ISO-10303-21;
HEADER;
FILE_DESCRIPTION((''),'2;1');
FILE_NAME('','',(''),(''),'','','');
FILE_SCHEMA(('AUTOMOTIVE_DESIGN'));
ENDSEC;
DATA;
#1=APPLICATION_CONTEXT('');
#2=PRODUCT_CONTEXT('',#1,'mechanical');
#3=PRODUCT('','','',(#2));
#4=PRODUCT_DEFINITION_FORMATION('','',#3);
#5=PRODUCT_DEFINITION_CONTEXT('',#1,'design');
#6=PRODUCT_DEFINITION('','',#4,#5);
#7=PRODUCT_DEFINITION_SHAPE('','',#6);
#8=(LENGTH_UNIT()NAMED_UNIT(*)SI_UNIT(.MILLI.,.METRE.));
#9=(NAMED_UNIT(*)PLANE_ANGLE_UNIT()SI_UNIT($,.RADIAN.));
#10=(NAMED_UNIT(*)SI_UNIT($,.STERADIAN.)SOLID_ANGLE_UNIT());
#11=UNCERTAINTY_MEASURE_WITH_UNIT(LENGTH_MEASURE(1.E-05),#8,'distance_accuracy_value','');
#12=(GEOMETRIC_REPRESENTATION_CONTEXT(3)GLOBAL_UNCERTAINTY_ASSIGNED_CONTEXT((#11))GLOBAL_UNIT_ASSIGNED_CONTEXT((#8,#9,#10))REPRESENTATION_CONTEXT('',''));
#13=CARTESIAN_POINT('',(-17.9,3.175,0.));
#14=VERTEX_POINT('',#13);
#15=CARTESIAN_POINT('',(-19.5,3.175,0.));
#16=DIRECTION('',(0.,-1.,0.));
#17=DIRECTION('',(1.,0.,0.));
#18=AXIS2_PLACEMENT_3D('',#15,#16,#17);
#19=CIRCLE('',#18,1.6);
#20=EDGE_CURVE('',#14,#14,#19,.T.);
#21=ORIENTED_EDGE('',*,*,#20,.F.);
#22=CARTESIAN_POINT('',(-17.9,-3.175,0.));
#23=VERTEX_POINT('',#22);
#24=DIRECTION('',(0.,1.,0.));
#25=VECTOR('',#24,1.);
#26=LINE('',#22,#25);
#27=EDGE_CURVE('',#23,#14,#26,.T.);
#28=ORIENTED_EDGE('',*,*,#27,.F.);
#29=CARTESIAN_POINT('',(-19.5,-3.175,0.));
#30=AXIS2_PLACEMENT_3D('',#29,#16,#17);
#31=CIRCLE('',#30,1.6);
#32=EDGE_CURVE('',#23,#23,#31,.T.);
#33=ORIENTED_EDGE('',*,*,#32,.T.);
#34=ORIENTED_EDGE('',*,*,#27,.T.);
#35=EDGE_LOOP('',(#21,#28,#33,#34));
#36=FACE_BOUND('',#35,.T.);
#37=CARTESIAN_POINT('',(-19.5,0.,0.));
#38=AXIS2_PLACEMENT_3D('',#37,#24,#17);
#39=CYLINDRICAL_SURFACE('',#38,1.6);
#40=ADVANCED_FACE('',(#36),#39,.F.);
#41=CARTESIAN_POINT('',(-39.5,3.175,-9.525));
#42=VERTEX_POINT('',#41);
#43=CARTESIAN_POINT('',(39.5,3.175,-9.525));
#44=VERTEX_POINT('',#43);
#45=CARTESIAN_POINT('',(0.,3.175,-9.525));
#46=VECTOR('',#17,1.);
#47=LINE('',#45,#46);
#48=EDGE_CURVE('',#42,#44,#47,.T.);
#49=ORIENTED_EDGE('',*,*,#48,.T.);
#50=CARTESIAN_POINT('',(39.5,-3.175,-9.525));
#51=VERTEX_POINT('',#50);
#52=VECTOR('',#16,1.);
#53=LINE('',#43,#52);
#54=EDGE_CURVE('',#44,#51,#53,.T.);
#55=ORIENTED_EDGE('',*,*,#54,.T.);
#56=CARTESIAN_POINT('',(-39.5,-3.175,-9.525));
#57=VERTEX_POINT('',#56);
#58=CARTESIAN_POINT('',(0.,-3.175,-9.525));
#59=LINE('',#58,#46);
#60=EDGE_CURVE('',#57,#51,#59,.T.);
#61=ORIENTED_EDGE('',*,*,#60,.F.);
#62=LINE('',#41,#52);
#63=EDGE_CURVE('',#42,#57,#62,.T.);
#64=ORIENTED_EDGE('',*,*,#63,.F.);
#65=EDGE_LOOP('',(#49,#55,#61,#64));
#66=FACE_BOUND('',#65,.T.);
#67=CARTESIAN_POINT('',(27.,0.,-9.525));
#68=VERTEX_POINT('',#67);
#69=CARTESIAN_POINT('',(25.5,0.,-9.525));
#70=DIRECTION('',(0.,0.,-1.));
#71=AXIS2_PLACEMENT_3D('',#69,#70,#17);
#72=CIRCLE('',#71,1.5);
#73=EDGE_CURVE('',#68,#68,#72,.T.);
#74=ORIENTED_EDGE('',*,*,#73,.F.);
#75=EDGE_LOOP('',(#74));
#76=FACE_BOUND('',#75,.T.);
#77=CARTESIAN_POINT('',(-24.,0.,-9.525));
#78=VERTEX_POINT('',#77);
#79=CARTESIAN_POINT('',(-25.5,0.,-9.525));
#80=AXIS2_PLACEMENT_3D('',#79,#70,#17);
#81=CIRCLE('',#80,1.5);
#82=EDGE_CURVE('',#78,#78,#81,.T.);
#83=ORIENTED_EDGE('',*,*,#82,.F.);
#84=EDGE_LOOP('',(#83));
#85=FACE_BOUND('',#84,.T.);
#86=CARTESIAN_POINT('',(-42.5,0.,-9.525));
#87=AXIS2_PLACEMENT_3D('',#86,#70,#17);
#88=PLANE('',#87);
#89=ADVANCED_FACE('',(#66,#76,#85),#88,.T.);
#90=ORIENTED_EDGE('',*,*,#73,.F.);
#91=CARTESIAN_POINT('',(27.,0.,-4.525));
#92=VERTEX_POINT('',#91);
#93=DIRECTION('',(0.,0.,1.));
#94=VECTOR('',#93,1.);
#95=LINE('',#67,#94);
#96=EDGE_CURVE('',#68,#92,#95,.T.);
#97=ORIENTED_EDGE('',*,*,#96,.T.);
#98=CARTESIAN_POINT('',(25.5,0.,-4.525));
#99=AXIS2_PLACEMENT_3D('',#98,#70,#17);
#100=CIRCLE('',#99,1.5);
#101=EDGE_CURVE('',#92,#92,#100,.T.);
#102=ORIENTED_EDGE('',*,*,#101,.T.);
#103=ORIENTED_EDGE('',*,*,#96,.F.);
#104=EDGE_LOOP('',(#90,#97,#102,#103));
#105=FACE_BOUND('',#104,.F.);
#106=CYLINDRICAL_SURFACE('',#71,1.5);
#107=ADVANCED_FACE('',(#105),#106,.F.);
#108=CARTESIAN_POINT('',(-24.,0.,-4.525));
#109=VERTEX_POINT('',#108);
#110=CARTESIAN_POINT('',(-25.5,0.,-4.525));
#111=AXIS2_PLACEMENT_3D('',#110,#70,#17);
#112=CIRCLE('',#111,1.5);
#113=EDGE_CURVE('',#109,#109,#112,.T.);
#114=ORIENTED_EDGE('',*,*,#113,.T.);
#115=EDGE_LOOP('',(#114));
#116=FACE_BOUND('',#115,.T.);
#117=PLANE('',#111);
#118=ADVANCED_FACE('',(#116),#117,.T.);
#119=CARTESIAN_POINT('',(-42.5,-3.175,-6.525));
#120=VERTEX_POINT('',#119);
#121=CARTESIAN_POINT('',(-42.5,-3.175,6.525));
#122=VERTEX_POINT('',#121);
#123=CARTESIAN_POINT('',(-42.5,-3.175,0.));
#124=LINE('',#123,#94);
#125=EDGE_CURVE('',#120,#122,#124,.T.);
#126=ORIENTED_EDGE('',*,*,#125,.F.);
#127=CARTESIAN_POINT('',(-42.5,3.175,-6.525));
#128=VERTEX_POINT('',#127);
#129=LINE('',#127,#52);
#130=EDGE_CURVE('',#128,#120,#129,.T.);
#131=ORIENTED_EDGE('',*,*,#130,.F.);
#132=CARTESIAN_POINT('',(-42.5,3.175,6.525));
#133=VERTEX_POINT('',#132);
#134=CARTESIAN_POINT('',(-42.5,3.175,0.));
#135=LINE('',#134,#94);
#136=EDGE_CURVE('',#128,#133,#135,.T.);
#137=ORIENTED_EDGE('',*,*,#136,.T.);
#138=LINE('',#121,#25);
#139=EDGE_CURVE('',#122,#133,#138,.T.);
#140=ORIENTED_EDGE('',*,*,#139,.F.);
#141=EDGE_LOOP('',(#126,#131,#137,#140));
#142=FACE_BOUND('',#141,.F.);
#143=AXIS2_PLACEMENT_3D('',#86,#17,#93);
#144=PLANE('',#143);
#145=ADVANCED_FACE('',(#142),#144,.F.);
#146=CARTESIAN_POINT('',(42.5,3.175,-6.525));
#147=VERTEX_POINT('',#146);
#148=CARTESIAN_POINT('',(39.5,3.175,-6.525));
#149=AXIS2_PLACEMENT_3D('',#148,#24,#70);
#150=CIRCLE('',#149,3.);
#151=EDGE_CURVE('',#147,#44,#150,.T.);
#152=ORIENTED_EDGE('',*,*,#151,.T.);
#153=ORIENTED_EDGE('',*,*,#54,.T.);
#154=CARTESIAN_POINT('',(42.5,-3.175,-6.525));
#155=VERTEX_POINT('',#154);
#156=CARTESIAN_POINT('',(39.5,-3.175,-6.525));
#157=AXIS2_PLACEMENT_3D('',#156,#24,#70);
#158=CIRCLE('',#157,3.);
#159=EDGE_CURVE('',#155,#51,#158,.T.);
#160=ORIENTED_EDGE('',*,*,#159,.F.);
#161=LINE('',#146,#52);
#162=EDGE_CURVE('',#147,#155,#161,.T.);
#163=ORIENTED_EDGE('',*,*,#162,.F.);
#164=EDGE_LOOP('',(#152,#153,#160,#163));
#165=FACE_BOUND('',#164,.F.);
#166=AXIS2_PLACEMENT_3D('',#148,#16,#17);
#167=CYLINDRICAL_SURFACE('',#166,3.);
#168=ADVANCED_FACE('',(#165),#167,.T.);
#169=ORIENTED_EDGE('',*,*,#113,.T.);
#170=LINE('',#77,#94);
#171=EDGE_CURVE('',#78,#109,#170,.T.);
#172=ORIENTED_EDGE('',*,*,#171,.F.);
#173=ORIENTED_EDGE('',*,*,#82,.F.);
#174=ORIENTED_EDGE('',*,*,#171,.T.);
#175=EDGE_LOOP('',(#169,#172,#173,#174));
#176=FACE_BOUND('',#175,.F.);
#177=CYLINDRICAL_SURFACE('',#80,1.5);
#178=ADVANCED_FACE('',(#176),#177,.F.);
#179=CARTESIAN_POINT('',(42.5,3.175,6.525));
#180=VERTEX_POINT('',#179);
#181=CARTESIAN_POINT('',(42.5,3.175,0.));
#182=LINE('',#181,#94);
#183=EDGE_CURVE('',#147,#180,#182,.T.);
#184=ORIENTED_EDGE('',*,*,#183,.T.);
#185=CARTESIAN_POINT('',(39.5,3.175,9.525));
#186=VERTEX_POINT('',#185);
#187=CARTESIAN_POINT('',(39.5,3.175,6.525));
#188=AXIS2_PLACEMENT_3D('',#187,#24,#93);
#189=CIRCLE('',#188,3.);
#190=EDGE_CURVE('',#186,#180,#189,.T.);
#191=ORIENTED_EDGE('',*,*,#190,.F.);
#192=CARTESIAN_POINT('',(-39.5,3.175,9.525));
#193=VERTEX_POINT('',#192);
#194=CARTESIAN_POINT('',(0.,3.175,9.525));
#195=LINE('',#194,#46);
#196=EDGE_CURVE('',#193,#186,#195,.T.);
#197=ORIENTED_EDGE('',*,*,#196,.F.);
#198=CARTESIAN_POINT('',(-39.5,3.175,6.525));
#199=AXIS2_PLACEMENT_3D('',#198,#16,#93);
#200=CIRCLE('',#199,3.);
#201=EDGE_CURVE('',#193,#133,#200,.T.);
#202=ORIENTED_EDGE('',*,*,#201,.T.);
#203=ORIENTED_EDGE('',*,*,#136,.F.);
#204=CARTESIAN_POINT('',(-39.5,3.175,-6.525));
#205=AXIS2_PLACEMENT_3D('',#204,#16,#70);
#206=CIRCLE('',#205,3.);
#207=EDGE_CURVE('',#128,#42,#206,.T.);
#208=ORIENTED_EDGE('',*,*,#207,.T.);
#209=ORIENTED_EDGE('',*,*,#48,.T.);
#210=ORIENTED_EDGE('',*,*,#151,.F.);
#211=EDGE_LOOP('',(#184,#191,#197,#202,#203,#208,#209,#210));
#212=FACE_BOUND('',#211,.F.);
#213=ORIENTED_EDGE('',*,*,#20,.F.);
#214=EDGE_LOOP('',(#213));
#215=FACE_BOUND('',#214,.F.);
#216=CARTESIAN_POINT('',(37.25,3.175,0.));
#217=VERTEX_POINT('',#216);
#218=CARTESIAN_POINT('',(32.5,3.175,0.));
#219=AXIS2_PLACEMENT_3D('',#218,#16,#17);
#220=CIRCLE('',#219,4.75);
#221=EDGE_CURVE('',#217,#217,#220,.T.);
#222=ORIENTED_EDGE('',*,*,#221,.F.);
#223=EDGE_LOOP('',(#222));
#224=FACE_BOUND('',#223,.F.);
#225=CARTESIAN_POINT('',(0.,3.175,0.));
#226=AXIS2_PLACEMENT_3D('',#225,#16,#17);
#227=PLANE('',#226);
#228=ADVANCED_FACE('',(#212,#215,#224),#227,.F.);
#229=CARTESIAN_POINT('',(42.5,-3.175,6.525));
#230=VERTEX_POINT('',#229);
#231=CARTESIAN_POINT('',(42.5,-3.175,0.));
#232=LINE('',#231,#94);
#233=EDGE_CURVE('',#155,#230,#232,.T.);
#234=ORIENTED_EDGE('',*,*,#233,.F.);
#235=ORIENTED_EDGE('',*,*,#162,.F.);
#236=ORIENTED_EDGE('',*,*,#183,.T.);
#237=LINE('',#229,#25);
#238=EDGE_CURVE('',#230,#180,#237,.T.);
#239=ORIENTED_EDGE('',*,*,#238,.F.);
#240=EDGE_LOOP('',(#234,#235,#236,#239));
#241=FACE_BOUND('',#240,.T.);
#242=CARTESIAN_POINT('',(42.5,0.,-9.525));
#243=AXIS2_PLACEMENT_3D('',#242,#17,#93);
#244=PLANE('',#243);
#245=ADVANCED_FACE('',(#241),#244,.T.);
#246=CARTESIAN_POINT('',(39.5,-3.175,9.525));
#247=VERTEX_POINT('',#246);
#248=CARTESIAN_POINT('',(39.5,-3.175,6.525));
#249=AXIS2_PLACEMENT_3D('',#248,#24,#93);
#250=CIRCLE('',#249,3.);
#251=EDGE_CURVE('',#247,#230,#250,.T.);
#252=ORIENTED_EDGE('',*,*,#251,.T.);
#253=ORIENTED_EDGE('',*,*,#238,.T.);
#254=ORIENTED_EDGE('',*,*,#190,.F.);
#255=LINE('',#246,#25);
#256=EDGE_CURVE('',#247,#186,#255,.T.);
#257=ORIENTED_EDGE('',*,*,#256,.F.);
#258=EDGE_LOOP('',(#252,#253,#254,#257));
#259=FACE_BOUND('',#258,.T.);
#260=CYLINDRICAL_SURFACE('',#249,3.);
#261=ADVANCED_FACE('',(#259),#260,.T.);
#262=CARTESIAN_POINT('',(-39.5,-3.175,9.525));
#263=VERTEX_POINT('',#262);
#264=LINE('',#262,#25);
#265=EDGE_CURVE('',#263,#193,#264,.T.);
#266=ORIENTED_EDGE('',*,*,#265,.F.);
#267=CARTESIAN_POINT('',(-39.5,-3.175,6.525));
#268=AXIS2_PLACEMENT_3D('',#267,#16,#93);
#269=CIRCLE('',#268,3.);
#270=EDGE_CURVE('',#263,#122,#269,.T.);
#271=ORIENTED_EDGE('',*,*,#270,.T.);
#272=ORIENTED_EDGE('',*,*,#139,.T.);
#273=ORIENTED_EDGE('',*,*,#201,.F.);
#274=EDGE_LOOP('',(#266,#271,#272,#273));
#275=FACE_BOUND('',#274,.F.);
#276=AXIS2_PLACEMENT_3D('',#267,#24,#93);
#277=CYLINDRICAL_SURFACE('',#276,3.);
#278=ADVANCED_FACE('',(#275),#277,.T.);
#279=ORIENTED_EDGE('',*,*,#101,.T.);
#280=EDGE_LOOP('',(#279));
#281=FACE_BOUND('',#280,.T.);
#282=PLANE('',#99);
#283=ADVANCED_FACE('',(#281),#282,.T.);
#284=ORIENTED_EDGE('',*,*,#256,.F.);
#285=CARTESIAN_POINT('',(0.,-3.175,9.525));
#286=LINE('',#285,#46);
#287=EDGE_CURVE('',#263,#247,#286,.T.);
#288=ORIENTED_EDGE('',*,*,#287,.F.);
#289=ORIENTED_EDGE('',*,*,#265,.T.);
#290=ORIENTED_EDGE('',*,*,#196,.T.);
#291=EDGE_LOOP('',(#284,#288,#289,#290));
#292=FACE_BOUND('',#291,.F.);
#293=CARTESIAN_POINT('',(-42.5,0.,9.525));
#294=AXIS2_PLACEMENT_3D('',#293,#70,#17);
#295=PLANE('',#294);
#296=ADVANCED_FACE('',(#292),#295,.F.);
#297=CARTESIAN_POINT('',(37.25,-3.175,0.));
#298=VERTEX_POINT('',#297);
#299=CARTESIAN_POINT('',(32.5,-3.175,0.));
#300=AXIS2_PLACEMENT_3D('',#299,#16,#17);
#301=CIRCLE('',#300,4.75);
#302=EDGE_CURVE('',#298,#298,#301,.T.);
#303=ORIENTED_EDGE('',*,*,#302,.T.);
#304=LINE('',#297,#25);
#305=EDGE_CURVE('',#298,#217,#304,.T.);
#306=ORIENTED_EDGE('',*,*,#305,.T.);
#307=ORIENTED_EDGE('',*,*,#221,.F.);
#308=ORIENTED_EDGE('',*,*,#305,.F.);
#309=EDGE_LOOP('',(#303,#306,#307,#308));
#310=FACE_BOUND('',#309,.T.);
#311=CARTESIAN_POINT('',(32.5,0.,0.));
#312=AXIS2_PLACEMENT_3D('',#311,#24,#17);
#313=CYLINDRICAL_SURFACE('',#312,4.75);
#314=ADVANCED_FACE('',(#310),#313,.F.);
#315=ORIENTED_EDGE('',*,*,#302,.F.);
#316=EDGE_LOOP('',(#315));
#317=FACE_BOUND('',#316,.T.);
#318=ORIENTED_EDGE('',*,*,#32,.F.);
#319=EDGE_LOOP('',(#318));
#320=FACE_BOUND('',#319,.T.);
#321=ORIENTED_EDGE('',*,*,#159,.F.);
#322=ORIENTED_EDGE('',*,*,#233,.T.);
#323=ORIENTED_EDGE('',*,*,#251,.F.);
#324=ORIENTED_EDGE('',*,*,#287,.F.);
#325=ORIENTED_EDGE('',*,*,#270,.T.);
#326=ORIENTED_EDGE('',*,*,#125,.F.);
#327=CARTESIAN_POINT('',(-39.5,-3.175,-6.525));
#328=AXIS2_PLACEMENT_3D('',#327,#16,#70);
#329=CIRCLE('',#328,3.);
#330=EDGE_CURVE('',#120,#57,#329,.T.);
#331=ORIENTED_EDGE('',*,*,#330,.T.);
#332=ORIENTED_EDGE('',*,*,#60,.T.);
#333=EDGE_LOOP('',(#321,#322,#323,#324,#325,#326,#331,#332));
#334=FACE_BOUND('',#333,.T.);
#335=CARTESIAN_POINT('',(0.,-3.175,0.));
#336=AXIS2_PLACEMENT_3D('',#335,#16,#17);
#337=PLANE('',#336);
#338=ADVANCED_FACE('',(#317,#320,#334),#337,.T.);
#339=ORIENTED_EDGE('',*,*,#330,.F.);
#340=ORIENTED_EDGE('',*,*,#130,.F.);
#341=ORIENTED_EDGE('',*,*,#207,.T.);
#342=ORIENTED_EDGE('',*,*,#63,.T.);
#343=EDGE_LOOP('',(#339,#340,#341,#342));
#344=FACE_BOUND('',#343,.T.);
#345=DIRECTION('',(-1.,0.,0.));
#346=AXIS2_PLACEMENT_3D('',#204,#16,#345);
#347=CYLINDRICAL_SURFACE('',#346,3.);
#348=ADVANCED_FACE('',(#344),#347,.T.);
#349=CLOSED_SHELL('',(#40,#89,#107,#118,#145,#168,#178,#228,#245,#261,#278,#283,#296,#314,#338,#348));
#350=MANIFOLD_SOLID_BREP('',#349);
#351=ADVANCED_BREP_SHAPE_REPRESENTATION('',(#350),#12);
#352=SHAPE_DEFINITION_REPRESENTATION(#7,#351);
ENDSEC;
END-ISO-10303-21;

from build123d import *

# Parameters (mm, degrees)
F0_W     = 85
F0_H     = 19.05
F0_R     = 1.6
F0_R_2   = 4.75
F1_DEPTH = 3.175
F2_R     = 1.5
F3_DEPTH = 5
F4_R     = 3
F5_R     = 3


with BuildPart() as f1:
    # F0 (on Front) → F1 (new body, symmetric)
    with BuildSketch(Plane.XZ):
        Rectangle(F0_W, F0_H)
        with Locations((-19.5, 0)):
            Circle(F0_R, mode=Mode.SUBTRACT)
        with Locations((32.5, 0)):
            Circle(F0_R_2, mode=Mode.SUBTRACT)
    extrude(amount=F1_DEPTH, both=True)

    # F2 (on face) → F3 (cut)
    with BuildSketch(Plane(origin=(0, 0, -9.525), x_dir=(1, 0, 0), z_dir=(0, 0, -1))):
        with Locations((-25.5, 0)):
            Circle(F2_R)
        with Locations((25.5, 0)):
            Circle(F2_R)
    extrude(amount=-F3_DEPTH, mode=Mode.SUBTRACT)

    # F4
    f4_edges = [f1.edges().sort_by_distance(p)[0] for p in [
        (42.5, 0, 9.525),
    ]]
    fillet(f4_edges, radius=F4_R)

    # F5
    f5_edges = [f1.edges().sort_by_distance(p)[0] for p in [
        (-42.5, 0, 9.525),
        (-42.5, 0, -9.525),
        (42.5, 0, -9.525),
    ]]
    fillet(f5_edges, radius=F5_R)


solid = f1.part
